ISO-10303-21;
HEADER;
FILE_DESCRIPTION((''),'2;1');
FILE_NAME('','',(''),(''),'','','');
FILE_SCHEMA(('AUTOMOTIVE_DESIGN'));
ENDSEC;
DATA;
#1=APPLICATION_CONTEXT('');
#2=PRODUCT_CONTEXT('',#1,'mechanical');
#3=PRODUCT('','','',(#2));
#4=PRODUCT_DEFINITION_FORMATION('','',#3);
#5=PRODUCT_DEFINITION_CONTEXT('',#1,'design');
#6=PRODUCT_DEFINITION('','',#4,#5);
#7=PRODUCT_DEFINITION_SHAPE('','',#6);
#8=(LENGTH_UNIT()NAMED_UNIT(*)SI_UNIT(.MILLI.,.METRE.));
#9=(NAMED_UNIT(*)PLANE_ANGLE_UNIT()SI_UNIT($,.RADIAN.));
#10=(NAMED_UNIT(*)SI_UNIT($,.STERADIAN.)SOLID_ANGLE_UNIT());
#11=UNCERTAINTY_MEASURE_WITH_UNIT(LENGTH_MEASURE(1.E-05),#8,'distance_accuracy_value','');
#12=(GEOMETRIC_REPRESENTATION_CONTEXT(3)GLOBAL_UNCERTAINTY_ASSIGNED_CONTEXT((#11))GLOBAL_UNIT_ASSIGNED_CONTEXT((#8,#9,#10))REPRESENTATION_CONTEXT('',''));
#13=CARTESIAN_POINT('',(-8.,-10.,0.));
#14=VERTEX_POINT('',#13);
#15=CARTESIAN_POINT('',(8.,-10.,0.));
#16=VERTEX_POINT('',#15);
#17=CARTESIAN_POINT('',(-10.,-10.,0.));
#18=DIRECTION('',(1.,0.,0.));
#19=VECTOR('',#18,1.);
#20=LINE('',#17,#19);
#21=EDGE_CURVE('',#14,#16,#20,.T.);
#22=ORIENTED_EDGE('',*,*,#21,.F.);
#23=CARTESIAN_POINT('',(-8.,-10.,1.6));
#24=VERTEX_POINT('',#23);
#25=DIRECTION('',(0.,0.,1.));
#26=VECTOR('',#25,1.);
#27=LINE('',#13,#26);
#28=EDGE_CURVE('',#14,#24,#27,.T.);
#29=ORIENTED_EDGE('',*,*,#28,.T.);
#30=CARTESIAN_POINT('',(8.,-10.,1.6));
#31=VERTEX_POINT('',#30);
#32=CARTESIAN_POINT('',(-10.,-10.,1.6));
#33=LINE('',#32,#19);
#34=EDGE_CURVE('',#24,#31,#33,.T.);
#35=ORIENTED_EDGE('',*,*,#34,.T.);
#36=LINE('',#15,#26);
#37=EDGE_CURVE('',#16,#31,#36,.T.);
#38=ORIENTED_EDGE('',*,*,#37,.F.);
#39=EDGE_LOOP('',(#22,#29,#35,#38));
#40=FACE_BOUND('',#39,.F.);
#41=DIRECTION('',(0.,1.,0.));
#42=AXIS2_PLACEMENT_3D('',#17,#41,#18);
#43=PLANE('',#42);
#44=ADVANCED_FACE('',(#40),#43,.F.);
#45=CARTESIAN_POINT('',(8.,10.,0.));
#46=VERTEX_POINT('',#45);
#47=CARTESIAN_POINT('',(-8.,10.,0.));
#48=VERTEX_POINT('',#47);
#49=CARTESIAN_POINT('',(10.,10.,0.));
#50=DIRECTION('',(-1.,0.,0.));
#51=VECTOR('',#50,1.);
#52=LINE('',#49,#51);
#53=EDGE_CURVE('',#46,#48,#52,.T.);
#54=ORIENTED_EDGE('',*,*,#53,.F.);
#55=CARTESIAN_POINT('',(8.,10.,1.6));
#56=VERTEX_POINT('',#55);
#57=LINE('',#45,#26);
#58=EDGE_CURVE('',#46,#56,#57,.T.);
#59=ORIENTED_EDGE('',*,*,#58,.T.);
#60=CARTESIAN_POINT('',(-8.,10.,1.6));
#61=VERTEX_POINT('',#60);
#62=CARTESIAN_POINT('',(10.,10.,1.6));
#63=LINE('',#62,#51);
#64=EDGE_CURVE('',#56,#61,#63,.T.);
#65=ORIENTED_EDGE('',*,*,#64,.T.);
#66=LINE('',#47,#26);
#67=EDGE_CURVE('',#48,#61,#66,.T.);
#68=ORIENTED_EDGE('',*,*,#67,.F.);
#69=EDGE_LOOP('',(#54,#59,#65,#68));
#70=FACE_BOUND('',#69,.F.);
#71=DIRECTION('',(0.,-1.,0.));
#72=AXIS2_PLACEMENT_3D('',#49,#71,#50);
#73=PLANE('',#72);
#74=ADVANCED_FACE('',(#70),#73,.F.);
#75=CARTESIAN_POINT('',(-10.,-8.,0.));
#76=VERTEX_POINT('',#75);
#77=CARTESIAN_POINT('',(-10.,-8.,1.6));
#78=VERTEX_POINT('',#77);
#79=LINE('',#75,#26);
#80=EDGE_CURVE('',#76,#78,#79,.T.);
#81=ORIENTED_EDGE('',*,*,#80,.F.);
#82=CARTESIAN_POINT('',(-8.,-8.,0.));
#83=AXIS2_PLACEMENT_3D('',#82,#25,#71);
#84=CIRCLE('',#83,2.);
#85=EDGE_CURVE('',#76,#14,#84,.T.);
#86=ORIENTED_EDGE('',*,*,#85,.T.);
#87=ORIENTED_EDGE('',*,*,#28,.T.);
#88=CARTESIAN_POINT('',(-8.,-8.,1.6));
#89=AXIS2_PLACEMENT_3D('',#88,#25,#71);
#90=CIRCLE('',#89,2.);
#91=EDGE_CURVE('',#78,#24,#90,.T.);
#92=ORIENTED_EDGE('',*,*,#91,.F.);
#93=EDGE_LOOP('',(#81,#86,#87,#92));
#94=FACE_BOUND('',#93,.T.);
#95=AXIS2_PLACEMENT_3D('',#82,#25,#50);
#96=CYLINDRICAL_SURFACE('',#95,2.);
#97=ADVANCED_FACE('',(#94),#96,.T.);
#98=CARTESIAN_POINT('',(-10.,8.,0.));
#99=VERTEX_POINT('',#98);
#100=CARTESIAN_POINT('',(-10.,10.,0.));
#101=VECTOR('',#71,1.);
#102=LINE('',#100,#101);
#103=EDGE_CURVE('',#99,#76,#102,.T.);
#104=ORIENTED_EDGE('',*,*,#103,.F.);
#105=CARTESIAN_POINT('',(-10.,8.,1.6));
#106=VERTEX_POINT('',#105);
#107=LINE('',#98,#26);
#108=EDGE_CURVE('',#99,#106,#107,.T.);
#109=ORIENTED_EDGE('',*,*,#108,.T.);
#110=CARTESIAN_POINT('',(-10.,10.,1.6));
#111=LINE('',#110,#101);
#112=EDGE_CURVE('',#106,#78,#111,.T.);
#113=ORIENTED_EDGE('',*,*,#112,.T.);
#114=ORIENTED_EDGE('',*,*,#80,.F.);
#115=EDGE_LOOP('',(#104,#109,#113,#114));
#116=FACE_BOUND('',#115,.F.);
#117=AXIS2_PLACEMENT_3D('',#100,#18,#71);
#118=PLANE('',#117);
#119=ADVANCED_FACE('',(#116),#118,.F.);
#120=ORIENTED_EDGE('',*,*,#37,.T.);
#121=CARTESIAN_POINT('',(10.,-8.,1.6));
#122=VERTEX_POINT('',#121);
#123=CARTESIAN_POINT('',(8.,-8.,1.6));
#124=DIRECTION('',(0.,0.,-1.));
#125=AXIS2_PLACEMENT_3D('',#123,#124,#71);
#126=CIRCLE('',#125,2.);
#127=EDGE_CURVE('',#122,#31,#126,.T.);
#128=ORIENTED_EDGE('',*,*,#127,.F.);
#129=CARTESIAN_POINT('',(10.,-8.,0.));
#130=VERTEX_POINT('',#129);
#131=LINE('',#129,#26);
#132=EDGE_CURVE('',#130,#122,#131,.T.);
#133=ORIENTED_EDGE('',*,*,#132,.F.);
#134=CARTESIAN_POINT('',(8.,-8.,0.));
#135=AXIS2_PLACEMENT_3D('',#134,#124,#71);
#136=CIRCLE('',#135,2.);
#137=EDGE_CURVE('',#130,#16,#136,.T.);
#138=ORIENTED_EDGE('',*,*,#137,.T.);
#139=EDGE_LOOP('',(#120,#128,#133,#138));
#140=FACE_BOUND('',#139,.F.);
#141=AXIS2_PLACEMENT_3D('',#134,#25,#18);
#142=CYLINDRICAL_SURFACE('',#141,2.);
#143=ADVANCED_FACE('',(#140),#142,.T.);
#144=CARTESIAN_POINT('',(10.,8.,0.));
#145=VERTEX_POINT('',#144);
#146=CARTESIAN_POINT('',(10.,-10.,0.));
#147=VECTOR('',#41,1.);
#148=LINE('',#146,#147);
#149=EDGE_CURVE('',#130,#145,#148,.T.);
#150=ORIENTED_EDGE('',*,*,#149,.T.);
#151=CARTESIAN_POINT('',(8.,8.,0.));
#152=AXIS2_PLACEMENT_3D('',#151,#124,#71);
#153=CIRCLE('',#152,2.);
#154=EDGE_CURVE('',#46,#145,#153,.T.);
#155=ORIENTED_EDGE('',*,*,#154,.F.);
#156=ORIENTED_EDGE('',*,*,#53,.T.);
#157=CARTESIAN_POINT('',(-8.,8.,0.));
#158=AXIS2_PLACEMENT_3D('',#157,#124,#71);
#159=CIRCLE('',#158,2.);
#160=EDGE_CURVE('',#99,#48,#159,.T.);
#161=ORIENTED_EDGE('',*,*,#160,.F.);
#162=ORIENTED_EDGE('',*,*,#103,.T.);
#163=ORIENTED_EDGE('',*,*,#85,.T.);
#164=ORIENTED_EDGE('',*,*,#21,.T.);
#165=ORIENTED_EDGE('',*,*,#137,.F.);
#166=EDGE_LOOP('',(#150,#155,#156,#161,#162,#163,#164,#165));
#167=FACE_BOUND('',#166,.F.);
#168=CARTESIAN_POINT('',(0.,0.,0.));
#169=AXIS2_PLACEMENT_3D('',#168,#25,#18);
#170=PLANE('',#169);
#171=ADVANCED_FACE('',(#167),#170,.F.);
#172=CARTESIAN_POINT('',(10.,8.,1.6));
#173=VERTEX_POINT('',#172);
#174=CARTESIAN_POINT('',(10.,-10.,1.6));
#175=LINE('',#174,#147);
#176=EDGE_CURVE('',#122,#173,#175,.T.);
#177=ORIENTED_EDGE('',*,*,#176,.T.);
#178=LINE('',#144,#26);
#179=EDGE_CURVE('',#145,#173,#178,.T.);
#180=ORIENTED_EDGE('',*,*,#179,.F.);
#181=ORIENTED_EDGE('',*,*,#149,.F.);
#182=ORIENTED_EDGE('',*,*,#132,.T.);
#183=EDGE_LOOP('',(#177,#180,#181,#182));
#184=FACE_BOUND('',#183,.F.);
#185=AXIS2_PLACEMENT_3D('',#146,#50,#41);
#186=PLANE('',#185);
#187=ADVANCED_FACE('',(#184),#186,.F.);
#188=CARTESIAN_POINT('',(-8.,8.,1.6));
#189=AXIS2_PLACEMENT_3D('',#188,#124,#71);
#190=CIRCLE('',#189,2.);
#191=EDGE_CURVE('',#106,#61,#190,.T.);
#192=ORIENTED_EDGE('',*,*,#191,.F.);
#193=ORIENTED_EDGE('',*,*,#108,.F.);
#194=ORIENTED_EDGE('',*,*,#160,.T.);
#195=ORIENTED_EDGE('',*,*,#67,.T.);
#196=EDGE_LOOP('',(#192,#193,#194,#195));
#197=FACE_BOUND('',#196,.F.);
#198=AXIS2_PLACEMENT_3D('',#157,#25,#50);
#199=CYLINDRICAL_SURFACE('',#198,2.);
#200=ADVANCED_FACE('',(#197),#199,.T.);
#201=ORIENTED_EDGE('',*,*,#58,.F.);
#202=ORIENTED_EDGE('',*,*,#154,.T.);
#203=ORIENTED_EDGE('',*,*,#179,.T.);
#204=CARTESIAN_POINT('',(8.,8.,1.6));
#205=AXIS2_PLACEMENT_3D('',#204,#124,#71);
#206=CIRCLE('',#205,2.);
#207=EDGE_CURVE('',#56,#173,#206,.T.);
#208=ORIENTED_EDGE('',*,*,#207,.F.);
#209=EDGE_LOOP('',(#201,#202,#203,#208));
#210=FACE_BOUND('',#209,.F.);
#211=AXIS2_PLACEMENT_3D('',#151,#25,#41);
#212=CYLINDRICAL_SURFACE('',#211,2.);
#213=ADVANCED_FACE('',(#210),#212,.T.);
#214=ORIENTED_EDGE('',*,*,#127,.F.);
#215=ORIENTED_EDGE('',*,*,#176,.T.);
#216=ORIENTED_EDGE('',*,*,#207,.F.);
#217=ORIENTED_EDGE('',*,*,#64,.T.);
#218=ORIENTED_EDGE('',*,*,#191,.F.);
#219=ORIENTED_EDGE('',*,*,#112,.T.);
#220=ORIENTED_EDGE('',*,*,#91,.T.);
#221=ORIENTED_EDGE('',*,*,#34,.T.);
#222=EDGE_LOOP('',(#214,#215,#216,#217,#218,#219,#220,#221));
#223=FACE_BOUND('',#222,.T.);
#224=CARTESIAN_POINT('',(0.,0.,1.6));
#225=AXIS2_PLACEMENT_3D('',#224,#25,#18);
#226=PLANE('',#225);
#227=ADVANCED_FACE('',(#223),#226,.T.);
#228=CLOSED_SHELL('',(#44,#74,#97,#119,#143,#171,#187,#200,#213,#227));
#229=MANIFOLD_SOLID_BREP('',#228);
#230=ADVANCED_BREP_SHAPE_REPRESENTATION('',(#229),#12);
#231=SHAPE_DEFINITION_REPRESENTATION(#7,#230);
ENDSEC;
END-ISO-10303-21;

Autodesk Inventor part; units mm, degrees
ref_plane "YZ Plane" through (0, 0, 0) normal (1, 0, 0) x (0, 1, 0)
ref_plane "XZ Plane" through (0, 0, 0) normal (0, 1, 0) x (-1, 0, 0)
ref_plane "XY Plane" through (0, 0, 0) normal (0, 0, 1) x (1, 0, 0)
sketch "スケッチ1" plane through (0, 0, 0) normal (0, 0, 1) x (1, 0, 0)
  line L0 (-10, -10) -> (10, -10)
  line L1 (10, -10) -> (10, 10)
  line L2 (10, 10) -> (-10, 10)
  line L3 (-10, 10) -> (-10, -10)
  line L4 (-10, -10) -> (10, 10) construction
  line L5 (10, -10) -> (-10, 10) construction
  point P0 (0, 0)
  dimension "d0" = 20
  dimension "d1" = 20
extrude "押し出し1" add sketch "スケッチ1" along normal blind 1.6
fillet "フィレット1" radius 2 4 edges at (10, 10, 0.8) (-10, 10, 0.8) (10, -10, 0.8) (-10, -10, 0.8)
properties part number "HbSensorPlate01"
